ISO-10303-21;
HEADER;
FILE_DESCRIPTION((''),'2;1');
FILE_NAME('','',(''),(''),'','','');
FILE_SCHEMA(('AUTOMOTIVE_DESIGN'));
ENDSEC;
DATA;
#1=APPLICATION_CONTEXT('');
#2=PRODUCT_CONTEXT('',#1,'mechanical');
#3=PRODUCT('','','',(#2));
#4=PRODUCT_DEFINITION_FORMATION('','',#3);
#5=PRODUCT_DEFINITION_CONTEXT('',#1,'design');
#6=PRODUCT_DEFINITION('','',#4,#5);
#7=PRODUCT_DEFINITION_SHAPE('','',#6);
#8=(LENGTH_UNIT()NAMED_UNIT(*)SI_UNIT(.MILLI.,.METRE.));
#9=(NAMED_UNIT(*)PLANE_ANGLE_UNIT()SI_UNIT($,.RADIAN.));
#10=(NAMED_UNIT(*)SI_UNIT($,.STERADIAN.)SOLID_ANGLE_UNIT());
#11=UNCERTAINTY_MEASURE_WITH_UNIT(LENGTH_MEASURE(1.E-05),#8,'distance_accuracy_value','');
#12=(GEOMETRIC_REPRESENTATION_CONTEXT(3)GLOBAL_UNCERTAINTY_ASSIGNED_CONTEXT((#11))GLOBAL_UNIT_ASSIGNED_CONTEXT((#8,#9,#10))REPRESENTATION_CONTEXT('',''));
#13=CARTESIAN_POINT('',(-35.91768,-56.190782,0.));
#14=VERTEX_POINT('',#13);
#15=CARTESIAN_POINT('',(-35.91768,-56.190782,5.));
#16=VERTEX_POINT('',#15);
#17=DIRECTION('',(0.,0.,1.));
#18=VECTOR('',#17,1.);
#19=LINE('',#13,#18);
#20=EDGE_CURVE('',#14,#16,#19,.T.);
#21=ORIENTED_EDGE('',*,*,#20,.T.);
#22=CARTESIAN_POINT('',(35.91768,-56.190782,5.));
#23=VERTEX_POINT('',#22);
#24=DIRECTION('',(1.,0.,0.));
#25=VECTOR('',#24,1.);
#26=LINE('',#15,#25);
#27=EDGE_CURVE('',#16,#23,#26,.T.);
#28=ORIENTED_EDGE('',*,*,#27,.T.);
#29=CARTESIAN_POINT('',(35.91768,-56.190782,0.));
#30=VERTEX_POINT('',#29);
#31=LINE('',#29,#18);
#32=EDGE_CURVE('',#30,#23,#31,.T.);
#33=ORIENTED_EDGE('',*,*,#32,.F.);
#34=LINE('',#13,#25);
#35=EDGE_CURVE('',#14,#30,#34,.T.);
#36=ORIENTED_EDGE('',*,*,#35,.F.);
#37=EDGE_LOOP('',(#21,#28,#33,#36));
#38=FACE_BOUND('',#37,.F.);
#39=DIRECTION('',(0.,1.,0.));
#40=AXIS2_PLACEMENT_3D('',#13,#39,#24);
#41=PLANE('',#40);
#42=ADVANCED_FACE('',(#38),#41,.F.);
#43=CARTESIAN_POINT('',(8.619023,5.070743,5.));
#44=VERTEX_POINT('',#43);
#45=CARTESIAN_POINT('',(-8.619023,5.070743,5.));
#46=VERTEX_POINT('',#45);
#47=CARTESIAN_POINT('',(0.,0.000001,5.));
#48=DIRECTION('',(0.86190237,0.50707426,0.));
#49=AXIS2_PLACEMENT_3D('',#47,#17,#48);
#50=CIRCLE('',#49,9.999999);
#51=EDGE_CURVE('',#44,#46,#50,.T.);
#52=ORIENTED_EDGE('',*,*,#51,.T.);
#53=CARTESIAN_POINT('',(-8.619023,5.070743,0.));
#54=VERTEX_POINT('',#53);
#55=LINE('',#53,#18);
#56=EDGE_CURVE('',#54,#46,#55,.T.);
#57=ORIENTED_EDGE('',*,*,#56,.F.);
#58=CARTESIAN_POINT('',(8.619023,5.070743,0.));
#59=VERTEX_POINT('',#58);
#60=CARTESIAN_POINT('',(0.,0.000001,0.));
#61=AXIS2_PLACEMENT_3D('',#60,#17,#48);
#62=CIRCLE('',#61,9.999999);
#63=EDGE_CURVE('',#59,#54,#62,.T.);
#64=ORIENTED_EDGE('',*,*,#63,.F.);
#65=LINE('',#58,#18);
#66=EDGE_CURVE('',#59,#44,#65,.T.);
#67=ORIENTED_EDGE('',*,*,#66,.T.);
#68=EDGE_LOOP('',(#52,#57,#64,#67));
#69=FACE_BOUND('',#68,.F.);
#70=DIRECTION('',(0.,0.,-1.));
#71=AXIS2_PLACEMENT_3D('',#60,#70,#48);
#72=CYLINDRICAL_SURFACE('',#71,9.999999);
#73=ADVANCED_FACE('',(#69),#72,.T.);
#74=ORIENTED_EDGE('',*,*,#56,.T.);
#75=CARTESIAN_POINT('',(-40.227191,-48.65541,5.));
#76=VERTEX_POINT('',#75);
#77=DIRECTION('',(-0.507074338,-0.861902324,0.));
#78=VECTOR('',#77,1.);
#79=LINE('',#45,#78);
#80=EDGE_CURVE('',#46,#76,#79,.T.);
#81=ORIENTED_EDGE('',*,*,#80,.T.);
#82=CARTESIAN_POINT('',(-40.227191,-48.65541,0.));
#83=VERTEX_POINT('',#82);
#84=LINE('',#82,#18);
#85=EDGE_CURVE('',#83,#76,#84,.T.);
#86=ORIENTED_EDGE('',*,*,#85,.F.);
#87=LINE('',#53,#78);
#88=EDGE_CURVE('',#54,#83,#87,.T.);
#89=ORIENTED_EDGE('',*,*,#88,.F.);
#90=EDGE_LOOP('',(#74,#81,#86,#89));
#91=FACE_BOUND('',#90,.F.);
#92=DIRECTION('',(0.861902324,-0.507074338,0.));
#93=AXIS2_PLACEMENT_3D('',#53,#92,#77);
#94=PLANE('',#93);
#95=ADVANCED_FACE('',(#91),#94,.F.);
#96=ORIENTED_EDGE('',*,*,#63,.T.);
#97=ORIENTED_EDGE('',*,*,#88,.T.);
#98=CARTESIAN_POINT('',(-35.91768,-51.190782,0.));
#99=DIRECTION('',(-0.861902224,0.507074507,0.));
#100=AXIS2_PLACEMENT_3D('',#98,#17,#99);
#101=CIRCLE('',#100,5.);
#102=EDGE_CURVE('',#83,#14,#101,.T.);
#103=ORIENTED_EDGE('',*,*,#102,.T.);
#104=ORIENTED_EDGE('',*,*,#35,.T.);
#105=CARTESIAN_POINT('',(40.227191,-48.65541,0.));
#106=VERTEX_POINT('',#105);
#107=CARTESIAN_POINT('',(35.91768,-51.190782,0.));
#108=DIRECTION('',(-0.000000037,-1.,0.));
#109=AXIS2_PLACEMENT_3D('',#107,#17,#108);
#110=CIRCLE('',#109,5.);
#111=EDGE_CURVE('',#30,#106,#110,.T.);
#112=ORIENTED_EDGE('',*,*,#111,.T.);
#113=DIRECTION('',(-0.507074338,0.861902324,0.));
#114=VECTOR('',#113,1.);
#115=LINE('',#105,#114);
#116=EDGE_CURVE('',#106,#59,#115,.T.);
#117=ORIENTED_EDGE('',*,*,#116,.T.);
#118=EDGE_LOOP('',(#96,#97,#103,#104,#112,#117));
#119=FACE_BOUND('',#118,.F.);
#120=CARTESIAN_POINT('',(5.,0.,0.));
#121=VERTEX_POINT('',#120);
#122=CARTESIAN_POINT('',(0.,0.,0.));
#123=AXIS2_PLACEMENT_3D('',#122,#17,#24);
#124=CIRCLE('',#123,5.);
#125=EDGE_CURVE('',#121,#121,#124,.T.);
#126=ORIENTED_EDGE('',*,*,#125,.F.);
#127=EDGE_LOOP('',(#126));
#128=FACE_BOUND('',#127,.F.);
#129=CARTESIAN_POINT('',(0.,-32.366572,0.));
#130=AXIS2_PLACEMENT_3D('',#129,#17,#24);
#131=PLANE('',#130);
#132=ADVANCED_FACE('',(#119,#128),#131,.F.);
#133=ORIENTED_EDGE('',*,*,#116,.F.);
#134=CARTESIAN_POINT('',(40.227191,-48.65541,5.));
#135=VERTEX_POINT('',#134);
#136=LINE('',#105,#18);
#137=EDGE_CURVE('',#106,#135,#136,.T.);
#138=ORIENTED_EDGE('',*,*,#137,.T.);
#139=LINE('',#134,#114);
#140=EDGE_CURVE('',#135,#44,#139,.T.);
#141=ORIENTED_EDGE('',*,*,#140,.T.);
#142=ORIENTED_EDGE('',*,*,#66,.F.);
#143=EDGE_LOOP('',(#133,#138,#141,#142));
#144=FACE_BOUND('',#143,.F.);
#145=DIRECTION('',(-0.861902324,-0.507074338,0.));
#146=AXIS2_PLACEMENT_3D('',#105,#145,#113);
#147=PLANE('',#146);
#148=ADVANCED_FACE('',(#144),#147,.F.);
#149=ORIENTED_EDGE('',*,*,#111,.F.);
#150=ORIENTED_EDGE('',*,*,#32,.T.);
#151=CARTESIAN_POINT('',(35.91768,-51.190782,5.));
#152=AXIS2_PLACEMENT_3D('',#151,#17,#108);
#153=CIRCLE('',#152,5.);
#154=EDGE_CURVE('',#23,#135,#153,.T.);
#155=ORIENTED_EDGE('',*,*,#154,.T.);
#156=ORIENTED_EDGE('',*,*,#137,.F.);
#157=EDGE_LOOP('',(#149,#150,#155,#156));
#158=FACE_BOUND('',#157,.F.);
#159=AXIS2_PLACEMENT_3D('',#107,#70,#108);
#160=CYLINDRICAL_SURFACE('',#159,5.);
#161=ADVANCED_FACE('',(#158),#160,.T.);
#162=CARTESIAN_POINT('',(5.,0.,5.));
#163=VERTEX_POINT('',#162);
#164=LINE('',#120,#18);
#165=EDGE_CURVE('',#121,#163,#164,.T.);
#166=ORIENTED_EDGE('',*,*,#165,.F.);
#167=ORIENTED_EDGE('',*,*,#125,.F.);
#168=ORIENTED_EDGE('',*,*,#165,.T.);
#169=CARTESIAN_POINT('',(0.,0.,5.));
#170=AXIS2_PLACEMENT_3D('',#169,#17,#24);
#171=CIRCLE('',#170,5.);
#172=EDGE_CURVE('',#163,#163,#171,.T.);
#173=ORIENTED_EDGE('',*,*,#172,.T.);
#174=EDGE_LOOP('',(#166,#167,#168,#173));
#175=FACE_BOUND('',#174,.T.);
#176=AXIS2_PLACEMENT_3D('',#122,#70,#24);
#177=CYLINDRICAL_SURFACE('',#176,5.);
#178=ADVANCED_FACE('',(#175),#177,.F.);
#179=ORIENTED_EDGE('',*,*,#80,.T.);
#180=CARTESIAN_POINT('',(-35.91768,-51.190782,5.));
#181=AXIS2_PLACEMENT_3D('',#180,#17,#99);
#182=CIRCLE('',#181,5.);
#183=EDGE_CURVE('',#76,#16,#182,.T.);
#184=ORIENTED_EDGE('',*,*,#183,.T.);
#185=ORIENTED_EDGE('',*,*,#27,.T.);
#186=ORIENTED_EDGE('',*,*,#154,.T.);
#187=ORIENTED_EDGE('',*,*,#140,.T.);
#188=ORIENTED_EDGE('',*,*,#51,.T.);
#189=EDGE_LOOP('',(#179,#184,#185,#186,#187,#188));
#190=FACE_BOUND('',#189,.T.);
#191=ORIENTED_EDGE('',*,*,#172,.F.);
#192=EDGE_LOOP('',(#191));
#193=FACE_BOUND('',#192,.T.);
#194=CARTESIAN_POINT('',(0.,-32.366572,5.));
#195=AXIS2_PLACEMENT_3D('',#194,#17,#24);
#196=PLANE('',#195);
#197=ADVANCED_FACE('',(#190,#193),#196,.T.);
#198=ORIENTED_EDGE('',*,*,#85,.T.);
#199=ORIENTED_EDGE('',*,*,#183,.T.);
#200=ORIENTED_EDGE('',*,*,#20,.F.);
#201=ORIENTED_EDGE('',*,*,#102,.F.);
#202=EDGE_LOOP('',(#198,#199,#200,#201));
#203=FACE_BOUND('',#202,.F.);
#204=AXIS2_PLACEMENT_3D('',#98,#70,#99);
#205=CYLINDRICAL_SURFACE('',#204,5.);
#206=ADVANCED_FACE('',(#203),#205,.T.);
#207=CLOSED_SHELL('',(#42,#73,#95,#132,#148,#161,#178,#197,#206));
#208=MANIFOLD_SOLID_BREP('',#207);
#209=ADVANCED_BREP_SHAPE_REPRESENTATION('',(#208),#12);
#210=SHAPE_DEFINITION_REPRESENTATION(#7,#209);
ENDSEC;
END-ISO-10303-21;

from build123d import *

# Parameters (mm, degrees)
F0_R     = 5
F1_DEPTH = 5


with BuildPart() as f1:
    # F0 (on Top) → F1 (new body)
    with BuildSketch(Plane.XY):
        with BuildLine():
            Line((-35.91768, -56.190782), (0, -56.190782))
            Line((0, -56.190782), (35.91768, -56.190782))
            ThreePointArc((35.91768, -56.190782), (40.258006, -53.673033), (40.227191, -48.65541))
            Line((40.227191, -48.65541), (8.619023, 5.070743))
            ThreePointArc((8.619023, 5.070743), (0, 10), (-8.619023, 5.070743))
            Line((-8.619023, 5.070743), (-40.227191, -48.65541))
            ThreePointArc((-40.227191, -48.65541), (-40.258006, -53.673033), (-35.91768, -56.190782))
        make_face()
        Circle(F0_R, mode=Mode.SUBTRACT)
    extrude(amount=F1_DEPTH)


solid = f1.part
